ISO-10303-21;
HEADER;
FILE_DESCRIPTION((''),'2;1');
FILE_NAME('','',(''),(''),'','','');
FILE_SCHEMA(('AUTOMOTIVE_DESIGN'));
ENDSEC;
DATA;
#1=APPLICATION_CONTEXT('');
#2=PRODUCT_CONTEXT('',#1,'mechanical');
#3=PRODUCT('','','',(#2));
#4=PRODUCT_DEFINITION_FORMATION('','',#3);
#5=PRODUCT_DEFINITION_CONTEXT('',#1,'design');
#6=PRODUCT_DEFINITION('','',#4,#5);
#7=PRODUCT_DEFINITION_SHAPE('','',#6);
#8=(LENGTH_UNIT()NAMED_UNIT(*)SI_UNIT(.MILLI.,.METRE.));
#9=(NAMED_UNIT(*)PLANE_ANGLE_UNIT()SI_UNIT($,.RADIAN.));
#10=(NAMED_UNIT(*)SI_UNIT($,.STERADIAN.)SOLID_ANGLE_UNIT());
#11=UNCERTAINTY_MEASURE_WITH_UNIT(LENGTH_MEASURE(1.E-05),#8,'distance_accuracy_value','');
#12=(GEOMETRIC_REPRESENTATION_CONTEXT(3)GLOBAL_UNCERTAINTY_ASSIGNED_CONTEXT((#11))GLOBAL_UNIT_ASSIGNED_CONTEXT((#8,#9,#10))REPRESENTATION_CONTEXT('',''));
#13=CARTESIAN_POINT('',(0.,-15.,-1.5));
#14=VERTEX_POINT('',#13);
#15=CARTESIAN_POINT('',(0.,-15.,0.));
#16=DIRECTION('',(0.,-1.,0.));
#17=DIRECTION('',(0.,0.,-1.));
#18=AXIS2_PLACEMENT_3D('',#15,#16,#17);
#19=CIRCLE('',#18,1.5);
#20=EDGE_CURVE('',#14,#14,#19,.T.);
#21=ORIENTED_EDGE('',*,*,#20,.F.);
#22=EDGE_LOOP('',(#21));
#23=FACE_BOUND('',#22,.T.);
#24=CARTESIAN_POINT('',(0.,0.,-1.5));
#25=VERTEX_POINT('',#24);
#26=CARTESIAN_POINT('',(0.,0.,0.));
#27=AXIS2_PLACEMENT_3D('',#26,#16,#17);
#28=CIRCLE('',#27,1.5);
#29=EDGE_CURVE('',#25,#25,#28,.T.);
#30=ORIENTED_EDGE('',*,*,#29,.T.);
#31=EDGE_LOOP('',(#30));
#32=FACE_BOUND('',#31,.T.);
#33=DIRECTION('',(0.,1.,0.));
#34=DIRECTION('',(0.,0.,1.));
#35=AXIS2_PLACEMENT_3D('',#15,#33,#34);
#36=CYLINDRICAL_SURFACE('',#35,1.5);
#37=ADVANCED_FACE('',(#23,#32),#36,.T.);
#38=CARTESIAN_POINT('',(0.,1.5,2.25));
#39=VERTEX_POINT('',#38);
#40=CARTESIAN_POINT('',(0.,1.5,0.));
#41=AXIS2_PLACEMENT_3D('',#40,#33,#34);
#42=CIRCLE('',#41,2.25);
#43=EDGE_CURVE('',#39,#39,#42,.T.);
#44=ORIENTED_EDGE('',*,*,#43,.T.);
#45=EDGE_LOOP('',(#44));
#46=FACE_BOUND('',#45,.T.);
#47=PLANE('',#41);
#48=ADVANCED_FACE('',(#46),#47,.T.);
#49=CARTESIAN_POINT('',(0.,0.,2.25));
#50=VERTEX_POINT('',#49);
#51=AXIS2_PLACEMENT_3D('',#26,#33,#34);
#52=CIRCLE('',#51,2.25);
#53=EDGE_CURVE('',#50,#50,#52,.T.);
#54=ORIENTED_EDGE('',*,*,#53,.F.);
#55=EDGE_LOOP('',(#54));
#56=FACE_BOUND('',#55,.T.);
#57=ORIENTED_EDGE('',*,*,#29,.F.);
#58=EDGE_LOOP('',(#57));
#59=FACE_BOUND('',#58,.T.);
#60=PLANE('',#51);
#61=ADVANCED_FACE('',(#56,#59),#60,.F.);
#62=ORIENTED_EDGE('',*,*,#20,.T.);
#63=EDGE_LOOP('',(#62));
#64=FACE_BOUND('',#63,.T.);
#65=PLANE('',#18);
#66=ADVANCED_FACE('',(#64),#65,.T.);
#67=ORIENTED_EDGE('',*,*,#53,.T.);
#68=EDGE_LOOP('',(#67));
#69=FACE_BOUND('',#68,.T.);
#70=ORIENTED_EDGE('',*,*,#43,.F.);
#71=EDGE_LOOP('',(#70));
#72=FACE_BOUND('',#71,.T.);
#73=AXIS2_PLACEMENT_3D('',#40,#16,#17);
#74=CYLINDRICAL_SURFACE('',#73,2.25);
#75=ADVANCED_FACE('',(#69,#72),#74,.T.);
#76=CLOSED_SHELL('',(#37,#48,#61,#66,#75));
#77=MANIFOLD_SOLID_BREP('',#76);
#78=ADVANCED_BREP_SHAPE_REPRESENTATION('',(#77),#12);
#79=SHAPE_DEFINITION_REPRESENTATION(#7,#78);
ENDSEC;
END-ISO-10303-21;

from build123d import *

# Parameters (mm, degrees)
SKETCH_1_R      = 2.25
EXTRUDE_1_DEPTH = 1.5
SKETCH_2_R      = 1.5
EXTRUDE_2_DEPTH = 15


with BuildPart() as part:
    # 草图1 → 凸台-拉伸1 (new body)
    with BuildSketch(Plane(origin=(0, 0, 0), x_dir=(1, 0, 0), z_dir=(0, 1, 0))):
        with Locations(Location((0, 0, 0), (0, 0, 270))):
            Circle(SKETCH_1_R)
    extrude(amount=EXTRUDE_1_DEPTH)

    # 草图2 → 凸台-拉伸2 (add)
    with BuildSketch(Plane.XZ):
        with Locations(Location((0, 0, 0), (0, 0, 270))):
            Circle(SKETCH_2_R)
    extrude(amount=EXTRUDE_2_DEPTH)


solid = part.part
